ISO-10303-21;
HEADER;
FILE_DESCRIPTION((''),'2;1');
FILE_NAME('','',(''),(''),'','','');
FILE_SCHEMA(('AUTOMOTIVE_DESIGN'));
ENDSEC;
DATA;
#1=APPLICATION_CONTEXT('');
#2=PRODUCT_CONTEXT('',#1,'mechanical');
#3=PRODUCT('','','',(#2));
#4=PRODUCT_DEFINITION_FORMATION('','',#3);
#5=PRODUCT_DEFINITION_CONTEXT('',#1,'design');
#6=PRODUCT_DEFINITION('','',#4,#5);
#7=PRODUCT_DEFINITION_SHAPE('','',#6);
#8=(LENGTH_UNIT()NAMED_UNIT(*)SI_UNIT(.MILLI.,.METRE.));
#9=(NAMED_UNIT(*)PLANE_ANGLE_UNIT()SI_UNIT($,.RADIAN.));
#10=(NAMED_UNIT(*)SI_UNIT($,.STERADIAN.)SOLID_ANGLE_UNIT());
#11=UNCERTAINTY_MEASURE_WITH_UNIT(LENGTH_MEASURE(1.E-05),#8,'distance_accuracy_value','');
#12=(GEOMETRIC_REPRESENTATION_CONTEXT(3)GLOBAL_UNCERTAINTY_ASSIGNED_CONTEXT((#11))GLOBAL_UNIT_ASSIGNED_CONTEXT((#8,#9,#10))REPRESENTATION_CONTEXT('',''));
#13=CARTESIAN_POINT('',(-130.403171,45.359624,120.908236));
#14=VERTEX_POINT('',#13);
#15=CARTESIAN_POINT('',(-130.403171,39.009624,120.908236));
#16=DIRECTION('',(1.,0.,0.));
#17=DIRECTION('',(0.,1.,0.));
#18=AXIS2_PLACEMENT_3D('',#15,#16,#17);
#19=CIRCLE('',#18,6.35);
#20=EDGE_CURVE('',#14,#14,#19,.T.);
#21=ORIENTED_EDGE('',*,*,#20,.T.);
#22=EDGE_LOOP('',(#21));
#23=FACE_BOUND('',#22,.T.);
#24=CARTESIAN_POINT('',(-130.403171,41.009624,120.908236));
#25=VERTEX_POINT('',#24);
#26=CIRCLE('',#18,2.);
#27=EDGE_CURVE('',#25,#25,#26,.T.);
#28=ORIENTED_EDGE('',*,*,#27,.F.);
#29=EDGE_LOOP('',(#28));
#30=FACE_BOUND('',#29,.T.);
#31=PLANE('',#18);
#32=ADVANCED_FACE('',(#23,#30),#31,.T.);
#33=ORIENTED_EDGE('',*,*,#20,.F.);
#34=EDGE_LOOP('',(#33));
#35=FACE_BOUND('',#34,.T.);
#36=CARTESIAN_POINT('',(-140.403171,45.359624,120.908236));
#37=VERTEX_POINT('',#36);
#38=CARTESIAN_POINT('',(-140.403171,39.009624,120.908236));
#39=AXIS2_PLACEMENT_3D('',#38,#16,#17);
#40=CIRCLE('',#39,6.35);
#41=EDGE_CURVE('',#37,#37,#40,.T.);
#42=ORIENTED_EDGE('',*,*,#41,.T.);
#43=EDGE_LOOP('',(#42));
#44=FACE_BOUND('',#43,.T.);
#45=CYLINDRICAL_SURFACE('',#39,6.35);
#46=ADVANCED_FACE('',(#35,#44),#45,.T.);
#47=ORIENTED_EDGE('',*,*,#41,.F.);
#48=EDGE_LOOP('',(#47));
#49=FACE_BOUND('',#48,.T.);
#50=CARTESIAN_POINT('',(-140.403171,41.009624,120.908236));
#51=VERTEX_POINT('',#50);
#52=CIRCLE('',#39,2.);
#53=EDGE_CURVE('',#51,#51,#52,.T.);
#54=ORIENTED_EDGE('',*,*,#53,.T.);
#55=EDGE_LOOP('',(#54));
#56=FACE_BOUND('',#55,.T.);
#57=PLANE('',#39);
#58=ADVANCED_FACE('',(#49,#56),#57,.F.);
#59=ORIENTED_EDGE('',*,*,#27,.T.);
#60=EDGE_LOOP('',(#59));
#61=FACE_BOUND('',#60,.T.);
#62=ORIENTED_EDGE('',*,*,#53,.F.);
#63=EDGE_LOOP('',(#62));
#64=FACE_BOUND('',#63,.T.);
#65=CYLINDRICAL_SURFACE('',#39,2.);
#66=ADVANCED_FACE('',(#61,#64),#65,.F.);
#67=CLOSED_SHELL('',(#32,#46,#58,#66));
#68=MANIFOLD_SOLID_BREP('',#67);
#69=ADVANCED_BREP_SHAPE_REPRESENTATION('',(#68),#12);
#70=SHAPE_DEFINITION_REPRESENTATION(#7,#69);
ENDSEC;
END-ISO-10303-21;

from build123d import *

# Parameters (mm, degrees)
ESQUISSE1_R        = 6.35
ESQUISSE1_R_2      = 2
BOSS_EXTRU_1_DEPTH = 10


with BuildPart() as part:
    # Esquisse1 → Boss.-Extru.1 (new body)
    with BuildSketch(Plane(origin=(-130.403171357, 0, 0), x_dir=(0, 0, -1), z_dir=(1, 0, 0))):
        with Locations(Location((-120.908236412, 39.009623756, 0), (0, 0, 90))):
            Circle(ESQUISSE1_R)
        with Locations(Location((-120.908236412, 39.009623756, 0), (0, 0, 90))):
            Circle(ESQUISSE1_R_2, mode=Mode.SUBTRACT)
    extrude(amount=-BOSS_EXTRU_1_DEPTH)


solid = part.part
